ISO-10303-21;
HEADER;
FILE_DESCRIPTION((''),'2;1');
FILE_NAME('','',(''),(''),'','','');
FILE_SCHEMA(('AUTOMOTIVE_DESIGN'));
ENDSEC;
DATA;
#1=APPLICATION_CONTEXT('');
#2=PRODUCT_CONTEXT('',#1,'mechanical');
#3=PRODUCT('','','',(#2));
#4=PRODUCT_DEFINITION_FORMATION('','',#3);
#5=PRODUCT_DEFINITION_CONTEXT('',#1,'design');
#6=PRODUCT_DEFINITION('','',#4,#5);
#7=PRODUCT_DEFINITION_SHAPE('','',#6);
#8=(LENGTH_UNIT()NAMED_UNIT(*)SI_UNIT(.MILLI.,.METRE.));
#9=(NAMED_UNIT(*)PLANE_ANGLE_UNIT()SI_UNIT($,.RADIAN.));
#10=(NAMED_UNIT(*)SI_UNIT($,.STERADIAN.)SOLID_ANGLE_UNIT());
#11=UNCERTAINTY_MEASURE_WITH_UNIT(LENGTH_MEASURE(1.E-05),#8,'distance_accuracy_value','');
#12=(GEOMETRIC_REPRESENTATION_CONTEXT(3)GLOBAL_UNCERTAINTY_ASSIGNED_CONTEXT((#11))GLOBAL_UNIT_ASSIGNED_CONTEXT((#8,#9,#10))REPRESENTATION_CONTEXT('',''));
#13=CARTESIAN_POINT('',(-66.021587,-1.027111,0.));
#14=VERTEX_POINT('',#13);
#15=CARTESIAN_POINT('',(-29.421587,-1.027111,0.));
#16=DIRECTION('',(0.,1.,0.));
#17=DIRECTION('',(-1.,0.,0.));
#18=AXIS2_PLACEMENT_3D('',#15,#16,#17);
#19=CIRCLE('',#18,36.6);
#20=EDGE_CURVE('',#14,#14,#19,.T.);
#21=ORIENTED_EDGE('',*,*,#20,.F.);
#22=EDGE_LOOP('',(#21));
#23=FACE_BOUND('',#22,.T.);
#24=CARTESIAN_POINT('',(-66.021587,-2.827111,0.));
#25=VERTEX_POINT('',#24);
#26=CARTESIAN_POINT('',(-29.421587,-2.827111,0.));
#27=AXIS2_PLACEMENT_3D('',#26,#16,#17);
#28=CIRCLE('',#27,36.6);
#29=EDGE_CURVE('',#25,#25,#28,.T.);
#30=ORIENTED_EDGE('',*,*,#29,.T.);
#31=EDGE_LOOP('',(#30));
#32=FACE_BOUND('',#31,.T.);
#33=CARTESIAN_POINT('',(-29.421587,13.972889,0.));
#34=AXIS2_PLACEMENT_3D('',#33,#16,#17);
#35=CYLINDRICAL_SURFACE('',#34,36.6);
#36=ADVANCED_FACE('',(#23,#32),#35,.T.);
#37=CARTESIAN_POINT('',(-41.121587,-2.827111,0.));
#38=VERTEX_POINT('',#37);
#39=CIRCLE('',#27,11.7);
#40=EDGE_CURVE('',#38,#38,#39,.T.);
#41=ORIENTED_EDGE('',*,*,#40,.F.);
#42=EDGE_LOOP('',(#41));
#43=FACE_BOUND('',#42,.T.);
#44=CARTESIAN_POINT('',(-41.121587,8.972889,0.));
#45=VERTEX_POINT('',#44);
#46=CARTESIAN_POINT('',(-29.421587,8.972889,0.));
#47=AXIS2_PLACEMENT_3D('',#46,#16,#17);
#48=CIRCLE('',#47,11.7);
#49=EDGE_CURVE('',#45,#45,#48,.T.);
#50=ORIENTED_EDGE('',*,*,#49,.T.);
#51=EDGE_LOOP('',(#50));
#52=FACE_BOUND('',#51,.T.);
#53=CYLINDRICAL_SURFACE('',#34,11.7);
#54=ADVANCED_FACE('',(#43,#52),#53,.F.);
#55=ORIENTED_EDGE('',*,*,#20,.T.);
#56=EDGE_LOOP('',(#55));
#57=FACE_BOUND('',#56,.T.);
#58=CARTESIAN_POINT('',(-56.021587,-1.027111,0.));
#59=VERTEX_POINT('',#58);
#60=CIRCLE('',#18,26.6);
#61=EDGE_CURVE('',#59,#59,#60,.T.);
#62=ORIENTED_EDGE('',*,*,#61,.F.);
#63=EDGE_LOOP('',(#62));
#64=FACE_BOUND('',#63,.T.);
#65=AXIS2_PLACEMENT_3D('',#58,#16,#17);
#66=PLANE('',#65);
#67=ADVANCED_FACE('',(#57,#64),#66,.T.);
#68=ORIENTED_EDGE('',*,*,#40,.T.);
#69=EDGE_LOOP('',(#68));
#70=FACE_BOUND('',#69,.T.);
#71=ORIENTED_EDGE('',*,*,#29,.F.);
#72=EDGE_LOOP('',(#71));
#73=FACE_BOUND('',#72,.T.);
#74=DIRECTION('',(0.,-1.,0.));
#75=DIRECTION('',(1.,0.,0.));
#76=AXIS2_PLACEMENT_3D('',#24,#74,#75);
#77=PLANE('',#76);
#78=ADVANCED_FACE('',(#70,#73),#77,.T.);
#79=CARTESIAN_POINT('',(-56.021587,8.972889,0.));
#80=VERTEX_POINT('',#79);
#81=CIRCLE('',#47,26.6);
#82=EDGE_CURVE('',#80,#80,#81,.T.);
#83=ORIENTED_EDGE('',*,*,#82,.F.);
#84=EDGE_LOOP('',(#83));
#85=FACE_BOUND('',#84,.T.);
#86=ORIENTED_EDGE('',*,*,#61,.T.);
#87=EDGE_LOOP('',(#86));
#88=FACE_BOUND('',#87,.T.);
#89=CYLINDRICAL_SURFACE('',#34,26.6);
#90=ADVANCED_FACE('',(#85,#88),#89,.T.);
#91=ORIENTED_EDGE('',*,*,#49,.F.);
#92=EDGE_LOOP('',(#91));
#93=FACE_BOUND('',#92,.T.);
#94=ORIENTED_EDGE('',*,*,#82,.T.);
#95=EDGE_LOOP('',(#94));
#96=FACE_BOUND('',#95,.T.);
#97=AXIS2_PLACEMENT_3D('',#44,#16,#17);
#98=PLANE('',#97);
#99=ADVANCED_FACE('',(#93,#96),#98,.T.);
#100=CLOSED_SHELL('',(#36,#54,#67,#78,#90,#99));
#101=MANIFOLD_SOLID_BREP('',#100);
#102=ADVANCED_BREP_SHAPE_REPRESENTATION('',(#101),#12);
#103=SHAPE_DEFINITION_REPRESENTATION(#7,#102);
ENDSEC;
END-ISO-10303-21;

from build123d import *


with BuildPart() as part:
    # Croquis1 → Revolución1 (revolve)
    with BuildSketch(Plane.XY):
        Polygon((-41.12158728, 8.972889318), (-41.12158728, -2.827110682), (-66.02158728, -2.827110682), (-66.02158728, -1.027110682), (-56.02158728, -1.027110682), (-56.02158728, 8.972889318), align=None)
    revolve(axis=Axis((-29.42158728, 13.972889318, 0), (0, -1, 0)))


solid = part.part
